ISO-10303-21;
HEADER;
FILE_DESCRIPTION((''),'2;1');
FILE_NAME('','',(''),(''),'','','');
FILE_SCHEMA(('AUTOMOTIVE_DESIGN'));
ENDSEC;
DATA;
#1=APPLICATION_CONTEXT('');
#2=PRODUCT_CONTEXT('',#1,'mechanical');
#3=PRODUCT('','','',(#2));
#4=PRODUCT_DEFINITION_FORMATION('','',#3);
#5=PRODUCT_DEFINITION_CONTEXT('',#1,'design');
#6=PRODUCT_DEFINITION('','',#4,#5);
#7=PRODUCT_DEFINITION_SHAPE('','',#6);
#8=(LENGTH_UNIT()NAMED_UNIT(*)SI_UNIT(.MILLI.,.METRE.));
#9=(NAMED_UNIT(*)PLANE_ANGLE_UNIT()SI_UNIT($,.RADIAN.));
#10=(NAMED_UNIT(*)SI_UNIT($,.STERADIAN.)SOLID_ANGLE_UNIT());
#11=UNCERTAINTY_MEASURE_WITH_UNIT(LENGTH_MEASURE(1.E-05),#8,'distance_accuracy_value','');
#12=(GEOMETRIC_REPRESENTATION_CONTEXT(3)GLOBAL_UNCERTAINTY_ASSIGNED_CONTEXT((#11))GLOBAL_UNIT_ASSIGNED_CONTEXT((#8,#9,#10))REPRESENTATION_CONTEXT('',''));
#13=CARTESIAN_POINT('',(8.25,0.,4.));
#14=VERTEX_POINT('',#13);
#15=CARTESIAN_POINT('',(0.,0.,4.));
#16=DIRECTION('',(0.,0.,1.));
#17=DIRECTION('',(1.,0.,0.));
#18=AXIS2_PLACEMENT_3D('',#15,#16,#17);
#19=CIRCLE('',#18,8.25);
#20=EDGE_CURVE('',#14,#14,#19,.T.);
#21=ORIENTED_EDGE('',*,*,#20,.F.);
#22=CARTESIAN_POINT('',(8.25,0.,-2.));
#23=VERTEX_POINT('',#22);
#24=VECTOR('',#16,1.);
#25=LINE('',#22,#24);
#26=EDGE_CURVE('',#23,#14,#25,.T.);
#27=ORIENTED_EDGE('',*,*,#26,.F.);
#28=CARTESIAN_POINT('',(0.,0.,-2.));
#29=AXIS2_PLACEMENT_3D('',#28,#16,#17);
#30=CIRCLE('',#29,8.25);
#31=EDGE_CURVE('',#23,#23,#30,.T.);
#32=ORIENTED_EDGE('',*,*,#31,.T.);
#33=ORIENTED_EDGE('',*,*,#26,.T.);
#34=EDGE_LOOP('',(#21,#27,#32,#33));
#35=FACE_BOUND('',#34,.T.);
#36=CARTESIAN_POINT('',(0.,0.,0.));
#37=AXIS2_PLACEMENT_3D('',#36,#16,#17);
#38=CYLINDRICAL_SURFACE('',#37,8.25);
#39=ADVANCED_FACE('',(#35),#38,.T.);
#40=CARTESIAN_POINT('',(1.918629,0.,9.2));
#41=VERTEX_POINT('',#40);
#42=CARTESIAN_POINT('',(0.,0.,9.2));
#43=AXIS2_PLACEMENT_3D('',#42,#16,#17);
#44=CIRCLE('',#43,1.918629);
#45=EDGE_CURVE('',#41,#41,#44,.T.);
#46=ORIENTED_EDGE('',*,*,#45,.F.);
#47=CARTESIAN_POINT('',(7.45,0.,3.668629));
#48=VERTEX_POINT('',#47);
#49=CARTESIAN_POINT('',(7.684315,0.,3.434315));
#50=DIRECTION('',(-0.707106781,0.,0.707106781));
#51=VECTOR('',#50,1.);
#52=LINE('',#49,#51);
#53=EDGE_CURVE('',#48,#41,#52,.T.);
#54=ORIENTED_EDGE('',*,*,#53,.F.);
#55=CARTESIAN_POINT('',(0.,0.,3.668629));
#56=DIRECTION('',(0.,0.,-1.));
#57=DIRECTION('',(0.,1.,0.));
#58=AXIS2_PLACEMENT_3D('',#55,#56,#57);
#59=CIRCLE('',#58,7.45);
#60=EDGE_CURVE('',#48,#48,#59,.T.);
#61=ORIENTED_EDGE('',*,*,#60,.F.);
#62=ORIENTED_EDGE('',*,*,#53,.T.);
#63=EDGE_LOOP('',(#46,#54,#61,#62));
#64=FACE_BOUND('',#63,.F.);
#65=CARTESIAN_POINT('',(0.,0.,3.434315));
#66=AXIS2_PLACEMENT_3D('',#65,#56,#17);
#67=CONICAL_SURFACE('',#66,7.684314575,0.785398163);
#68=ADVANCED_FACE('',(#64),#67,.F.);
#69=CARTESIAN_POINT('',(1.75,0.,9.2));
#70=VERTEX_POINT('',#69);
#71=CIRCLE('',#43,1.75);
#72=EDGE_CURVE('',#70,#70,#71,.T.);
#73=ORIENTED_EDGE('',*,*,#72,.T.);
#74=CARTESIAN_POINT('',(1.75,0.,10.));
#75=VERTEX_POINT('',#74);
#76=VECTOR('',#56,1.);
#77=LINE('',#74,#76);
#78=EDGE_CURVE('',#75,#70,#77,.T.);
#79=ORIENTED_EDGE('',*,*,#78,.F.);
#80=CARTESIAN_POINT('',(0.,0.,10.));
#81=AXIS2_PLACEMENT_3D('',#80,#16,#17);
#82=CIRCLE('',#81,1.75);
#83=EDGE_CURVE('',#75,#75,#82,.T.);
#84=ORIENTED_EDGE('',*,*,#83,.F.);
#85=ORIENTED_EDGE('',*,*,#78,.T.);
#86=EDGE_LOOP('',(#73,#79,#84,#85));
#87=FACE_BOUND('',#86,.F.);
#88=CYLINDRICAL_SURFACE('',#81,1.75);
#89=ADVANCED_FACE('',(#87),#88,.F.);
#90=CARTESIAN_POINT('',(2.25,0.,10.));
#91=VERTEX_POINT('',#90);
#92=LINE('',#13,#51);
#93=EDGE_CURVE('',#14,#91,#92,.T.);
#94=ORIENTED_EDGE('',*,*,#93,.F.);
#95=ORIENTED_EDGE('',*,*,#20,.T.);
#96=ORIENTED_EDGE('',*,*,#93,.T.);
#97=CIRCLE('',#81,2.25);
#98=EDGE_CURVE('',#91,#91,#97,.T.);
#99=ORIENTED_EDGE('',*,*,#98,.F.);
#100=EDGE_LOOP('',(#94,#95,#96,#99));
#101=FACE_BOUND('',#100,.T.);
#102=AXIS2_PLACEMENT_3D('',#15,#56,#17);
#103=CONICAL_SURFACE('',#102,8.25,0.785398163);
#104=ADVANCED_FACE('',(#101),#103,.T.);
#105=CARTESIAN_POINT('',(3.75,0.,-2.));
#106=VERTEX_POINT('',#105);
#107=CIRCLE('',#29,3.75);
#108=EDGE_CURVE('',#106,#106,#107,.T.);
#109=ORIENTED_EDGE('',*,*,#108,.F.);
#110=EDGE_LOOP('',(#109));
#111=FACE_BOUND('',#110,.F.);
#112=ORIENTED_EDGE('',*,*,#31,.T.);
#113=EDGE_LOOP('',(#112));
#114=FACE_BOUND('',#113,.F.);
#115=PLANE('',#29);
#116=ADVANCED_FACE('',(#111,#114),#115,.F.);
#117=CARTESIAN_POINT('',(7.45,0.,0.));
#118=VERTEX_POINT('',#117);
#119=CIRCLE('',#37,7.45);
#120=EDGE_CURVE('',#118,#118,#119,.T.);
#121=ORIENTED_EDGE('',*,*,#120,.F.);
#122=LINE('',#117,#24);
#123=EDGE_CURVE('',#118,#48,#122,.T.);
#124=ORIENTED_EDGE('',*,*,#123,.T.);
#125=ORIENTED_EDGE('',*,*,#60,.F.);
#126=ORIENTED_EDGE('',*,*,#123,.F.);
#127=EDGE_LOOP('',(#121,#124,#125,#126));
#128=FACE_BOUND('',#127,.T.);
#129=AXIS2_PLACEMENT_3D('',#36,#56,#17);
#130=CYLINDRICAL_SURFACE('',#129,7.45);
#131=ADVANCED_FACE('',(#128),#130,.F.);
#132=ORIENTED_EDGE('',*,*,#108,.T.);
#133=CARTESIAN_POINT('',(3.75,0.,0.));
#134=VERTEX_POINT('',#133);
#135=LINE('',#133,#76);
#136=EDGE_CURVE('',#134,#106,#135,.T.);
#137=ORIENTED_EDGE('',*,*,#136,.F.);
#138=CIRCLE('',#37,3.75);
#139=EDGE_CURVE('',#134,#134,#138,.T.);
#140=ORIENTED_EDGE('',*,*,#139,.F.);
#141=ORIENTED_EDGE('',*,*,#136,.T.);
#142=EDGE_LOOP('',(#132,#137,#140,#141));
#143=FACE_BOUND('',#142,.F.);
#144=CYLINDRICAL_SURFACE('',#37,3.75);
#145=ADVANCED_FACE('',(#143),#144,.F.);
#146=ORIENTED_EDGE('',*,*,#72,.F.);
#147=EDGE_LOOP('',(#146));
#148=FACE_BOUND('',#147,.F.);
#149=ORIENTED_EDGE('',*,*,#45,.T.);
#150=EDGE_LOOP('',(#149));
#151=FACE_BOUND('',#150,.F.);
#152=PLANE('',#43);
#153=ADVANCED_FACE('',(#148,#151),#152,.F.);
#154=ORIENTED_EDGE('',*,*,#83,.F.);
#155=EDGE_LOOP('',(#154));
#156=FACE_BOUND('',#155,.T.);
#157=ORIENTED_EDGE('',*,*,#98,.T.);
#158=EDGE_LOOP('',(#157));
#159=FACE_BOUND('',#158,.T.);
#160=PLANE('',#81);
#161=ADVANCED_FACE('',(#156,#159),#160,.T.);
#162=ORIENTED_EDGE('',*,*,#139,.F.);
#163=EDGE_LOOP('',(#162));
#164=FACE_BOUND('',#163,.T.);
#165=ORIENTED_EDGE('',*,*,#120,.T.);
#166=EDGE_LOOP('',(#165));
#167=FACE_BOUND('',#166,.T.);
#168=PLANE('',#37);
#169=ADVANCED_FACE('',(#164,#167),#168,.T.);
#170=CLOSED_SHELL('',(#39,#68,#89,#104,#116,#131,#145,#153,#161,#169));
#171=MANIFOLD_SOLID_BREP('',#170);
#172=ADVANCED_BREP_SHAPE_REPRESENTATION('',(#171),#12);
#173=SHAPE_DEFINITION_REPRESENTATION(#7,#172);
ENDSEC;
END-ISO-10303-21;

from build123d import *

# Parameters (mm, degrees)
F0_R     = 8.25
F1_DEPTH = 10
F2_SIZE  = 6
F3_T     = -0.8
F4_R     = 1.75
F5_DEPTH = 25
F6_R     = 8.25
F6_R_2   = 3.75
F7_DEPTH = 2


with BuildPart() as f1:
    # F0 (on Top) → F1 (new body)
    with BuildSketch(Plane.XY):
        Circle(F0_R)
    extrude(amount=F1_DEPTH)

    # F2
    f2_edges = [f1.edges().sort_by_distance(p)[0] for p in [
        (-8.25, 0, 10),
    ]]
    chamfer(f2_edges, length=F2_SIZE)

    # F3
    f3_openings = [f1.faces().sort_by_distance(p)[0] for p in [
        (0, 0, 0),
    ]]
    offset(amount=F3_T, openings=f3_openings)

    # F4 (on face) → F5 (cut)
    with BuildSketch(Plane.XY.offset(10)):
        Circle(F4_R)
    extrude(amount=-F5_DEPTH, mode=Mode.SUBTRACT)

    # F6 (on Top) → F7 (join)
    with BuildSketch(Plane.XY):
        Circle(F6_R)
        Circle(F6_R_2, mode=Mode.SUBTRACT)
    extrude(amount=-F7_DEPTH)


solid = f1.part
